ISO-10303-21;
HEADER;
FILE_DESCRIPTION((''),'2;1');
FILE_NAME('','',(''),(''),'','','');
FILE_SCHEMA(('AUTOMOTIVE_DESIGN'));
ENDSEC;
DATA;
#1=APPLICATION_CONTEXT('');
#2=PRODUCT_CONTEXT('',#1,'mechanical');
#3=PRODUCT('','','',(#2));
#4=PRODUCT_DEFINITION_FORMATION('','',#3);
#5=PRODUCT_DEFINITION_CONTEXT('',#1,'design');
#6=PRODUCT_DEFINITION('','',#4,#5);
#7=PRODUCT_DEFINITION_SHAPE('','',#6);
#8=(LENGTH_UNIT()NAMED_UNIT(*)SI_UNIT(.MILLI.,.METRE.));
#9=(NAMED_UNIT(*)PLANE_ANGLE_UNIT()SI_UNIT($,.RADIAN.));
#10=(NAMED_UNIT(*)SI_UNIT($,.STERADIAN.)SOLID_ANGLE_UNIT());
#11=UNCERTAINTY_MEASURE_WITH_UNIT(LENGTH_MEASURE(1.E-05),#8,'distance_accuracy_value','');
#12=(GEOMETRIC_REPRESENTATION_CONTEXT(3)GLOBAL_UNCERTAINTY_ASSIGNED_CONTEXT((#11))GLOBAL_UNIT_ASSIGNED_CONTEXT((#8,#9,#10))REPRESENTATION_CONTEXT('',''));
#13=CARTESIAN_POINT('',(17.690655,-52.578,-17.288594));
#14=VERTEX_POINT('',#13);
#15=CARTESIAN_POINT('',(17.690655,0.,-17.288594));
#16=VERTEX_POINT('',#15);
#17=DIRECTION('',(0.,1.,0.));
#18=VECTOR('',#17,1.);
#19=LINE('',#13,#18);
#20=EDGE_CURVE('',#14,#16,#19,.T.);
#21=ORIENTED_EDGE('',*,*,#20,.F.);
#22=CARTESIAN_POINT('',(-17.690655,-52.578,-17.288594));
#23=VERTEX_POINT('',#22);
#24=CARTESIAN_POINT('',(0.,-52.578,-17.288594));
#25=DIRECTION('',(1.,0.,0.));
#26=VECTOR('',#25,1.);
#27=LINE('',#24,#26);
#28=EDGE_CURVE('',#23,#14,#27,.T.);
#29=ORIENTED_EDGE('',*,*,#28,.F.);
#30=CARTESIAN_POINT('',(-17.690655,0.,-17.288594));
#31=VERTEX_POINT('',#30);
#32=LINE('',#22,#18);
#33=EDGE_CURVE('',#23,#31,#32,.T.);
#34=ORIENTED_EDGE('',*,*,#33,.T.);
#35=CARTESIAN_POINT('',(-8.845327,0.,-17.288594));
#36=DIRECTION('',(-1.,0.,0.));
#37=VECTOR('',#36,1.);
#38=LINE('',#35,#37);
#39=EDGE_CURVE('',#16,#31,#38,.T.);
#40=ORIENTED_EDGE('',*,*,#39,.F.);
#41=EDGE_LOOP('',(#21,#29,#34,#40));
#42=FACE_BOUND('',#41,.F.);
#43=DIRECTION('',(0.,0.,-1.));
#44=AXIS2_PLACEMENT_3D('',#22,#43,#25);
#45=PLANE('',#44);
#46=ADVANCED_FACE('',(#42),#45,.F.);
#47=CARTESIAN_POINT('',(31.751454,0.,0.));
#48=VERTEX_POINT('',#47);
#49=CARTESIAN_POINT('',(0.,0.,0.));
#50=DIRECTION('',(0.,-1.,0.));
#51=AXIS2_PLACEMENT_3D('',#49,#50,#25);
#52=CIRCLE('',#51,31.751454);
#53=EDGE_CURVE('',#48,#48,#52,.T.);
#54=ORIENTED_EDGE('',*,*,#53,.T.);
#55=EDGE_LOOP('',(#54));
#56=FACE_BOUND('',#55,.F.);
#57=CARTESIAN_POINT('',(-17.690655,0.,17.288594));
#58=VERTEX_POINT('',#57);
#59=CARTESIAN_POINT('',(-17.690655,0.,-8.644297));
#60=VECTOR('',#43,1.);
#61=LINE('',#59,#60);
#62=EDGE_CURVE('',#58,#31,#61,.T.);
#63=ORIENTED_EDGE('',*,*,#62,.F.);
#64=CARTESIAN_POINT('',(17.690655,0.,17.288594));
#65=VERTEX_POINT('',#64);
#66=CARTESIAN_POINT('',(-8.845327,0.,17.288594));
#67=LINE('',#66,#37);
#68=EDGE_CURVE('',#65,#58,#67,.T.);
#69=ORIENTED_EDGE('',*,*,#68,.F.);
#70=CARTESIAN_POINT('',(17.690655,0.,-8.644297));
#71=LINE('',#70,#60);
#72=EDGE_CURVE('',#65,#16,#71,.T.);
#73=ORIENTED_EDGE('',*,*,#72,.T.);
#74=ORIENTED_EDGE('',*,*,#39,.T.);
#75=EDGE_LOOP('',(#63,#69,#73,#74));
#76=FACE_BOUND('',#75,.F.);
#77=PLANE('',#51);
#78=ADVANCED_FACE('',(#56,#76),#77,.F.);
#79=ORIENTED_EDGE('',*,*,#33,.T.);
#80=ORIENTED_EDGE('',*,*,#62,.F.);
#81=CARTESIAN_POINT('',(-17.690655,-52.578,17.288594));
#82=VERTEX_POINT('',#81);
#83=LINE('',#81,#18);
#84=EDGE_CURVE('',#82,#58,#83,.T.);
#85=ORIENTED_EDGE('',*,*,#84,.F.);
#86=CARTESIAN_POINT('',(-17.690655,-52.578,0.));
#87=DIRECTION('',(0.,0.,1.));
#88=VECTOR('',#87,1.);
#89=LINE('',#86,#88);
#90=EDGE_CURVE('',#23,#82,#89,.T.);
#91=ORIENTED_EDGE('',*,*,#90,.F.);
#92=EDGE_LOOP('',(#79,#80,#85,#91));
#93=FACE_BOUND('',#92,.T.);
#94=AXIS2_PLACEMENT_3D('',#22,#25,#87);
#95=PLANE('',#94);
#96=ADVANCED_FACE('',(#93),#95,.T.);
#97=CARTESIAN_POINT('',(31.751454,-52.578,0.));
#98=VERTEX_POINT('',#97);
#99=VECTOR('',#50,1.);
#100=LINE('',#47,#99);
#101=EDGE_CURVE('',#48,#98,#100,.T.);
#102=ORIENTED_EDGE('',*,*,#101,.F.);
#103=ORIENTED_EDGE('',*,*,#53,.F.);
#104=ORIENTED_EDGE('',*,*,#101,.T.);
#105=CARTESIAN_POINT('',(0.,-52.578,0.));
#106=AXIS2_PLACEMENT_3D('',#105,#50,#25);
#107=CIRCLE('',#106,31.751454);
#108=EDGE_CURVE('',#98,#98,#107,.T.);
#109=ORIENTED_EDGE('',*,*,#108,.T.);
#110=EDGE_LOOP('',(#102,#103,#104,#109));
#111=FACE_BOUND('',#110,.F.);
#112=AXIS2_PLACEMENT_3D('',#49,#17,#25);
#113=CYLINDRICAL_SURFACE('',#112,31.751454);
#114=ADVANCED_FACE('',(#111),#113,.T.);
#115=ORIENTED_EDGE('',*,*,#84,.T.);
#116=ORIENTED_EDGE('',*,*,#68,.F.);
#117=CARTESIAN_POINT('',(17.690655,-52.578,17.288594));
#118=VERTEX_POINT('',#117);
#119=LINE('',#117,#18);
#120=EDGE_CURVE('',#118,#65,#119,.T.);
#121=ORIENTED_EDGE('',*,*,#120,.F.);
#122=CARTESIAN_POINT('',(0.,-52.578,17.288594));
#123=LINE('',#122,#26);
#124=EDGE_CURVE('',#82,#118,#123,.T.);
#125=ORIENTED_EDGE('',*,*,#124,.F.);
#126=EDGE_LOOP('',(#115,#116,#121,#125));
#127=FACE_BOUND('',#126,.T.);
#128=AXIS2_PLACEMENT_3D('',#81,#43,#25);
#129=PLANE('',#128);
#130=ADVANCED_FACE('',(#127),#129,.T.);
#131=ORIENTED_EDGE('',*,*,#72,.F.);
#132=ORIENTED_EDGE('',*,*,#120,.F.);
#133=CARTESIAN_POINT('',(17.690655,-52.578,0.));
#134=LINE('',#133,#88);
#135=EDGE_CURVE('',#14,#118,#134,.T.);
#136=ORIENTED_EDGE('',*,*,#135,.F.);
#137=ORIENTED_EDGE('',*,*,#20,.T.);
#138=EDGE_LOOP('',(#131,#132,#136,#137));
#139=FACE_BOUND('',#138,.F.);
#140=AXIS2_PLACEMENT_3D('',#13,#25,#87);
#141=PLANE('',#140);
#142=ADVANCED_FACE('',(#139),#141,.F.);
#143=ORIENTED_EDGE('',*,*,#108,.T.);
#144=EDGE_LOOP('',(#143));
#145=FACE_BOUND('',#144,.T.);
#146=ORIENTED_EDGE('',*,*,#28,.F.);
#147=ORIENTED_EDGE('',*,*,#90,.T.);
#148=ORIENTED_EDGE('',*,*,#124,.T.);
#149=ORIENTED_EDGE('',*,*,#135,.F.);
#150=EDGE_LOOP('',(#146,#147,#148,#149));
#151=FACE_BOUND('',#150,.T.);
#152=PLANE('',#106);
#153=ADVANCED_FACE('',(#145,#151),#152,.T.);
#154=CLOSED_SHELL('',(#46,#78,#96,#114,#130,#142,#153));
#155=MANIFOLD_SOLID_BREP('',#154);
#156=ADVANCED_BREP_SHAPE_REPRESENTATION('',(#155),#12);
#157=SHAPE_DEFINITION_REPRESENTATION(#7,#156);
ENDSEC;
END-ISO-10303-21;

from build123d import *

# Parameters (mm, degrees)
F0_R     = 31.751454
F1_DEPTH = 52.578
F2_W     = 35.38131
F2_H     = 34.577188
F3_DEPTH = 141.478


with BuildPart() as f1:
    # F0 (on Front) → F1 (new body)
    with BuildSketch(Plane.XZ):
        Circle(F0_R)
    extrude(amount=F1_DEPTH)

    # F2 (on face) + F0 (on Front) → F3 (cut)
    with BuildSketch(Plane.XZ.offset(52.578)):
        Rectangle(F2_W, F2_H)
    with BuildSketch(Plane.XZ):
        Circle(F0_R)
    extrude(amount=-F3_DEPTH, mode=Mode.SUBTRACT)


solid = f1.part
